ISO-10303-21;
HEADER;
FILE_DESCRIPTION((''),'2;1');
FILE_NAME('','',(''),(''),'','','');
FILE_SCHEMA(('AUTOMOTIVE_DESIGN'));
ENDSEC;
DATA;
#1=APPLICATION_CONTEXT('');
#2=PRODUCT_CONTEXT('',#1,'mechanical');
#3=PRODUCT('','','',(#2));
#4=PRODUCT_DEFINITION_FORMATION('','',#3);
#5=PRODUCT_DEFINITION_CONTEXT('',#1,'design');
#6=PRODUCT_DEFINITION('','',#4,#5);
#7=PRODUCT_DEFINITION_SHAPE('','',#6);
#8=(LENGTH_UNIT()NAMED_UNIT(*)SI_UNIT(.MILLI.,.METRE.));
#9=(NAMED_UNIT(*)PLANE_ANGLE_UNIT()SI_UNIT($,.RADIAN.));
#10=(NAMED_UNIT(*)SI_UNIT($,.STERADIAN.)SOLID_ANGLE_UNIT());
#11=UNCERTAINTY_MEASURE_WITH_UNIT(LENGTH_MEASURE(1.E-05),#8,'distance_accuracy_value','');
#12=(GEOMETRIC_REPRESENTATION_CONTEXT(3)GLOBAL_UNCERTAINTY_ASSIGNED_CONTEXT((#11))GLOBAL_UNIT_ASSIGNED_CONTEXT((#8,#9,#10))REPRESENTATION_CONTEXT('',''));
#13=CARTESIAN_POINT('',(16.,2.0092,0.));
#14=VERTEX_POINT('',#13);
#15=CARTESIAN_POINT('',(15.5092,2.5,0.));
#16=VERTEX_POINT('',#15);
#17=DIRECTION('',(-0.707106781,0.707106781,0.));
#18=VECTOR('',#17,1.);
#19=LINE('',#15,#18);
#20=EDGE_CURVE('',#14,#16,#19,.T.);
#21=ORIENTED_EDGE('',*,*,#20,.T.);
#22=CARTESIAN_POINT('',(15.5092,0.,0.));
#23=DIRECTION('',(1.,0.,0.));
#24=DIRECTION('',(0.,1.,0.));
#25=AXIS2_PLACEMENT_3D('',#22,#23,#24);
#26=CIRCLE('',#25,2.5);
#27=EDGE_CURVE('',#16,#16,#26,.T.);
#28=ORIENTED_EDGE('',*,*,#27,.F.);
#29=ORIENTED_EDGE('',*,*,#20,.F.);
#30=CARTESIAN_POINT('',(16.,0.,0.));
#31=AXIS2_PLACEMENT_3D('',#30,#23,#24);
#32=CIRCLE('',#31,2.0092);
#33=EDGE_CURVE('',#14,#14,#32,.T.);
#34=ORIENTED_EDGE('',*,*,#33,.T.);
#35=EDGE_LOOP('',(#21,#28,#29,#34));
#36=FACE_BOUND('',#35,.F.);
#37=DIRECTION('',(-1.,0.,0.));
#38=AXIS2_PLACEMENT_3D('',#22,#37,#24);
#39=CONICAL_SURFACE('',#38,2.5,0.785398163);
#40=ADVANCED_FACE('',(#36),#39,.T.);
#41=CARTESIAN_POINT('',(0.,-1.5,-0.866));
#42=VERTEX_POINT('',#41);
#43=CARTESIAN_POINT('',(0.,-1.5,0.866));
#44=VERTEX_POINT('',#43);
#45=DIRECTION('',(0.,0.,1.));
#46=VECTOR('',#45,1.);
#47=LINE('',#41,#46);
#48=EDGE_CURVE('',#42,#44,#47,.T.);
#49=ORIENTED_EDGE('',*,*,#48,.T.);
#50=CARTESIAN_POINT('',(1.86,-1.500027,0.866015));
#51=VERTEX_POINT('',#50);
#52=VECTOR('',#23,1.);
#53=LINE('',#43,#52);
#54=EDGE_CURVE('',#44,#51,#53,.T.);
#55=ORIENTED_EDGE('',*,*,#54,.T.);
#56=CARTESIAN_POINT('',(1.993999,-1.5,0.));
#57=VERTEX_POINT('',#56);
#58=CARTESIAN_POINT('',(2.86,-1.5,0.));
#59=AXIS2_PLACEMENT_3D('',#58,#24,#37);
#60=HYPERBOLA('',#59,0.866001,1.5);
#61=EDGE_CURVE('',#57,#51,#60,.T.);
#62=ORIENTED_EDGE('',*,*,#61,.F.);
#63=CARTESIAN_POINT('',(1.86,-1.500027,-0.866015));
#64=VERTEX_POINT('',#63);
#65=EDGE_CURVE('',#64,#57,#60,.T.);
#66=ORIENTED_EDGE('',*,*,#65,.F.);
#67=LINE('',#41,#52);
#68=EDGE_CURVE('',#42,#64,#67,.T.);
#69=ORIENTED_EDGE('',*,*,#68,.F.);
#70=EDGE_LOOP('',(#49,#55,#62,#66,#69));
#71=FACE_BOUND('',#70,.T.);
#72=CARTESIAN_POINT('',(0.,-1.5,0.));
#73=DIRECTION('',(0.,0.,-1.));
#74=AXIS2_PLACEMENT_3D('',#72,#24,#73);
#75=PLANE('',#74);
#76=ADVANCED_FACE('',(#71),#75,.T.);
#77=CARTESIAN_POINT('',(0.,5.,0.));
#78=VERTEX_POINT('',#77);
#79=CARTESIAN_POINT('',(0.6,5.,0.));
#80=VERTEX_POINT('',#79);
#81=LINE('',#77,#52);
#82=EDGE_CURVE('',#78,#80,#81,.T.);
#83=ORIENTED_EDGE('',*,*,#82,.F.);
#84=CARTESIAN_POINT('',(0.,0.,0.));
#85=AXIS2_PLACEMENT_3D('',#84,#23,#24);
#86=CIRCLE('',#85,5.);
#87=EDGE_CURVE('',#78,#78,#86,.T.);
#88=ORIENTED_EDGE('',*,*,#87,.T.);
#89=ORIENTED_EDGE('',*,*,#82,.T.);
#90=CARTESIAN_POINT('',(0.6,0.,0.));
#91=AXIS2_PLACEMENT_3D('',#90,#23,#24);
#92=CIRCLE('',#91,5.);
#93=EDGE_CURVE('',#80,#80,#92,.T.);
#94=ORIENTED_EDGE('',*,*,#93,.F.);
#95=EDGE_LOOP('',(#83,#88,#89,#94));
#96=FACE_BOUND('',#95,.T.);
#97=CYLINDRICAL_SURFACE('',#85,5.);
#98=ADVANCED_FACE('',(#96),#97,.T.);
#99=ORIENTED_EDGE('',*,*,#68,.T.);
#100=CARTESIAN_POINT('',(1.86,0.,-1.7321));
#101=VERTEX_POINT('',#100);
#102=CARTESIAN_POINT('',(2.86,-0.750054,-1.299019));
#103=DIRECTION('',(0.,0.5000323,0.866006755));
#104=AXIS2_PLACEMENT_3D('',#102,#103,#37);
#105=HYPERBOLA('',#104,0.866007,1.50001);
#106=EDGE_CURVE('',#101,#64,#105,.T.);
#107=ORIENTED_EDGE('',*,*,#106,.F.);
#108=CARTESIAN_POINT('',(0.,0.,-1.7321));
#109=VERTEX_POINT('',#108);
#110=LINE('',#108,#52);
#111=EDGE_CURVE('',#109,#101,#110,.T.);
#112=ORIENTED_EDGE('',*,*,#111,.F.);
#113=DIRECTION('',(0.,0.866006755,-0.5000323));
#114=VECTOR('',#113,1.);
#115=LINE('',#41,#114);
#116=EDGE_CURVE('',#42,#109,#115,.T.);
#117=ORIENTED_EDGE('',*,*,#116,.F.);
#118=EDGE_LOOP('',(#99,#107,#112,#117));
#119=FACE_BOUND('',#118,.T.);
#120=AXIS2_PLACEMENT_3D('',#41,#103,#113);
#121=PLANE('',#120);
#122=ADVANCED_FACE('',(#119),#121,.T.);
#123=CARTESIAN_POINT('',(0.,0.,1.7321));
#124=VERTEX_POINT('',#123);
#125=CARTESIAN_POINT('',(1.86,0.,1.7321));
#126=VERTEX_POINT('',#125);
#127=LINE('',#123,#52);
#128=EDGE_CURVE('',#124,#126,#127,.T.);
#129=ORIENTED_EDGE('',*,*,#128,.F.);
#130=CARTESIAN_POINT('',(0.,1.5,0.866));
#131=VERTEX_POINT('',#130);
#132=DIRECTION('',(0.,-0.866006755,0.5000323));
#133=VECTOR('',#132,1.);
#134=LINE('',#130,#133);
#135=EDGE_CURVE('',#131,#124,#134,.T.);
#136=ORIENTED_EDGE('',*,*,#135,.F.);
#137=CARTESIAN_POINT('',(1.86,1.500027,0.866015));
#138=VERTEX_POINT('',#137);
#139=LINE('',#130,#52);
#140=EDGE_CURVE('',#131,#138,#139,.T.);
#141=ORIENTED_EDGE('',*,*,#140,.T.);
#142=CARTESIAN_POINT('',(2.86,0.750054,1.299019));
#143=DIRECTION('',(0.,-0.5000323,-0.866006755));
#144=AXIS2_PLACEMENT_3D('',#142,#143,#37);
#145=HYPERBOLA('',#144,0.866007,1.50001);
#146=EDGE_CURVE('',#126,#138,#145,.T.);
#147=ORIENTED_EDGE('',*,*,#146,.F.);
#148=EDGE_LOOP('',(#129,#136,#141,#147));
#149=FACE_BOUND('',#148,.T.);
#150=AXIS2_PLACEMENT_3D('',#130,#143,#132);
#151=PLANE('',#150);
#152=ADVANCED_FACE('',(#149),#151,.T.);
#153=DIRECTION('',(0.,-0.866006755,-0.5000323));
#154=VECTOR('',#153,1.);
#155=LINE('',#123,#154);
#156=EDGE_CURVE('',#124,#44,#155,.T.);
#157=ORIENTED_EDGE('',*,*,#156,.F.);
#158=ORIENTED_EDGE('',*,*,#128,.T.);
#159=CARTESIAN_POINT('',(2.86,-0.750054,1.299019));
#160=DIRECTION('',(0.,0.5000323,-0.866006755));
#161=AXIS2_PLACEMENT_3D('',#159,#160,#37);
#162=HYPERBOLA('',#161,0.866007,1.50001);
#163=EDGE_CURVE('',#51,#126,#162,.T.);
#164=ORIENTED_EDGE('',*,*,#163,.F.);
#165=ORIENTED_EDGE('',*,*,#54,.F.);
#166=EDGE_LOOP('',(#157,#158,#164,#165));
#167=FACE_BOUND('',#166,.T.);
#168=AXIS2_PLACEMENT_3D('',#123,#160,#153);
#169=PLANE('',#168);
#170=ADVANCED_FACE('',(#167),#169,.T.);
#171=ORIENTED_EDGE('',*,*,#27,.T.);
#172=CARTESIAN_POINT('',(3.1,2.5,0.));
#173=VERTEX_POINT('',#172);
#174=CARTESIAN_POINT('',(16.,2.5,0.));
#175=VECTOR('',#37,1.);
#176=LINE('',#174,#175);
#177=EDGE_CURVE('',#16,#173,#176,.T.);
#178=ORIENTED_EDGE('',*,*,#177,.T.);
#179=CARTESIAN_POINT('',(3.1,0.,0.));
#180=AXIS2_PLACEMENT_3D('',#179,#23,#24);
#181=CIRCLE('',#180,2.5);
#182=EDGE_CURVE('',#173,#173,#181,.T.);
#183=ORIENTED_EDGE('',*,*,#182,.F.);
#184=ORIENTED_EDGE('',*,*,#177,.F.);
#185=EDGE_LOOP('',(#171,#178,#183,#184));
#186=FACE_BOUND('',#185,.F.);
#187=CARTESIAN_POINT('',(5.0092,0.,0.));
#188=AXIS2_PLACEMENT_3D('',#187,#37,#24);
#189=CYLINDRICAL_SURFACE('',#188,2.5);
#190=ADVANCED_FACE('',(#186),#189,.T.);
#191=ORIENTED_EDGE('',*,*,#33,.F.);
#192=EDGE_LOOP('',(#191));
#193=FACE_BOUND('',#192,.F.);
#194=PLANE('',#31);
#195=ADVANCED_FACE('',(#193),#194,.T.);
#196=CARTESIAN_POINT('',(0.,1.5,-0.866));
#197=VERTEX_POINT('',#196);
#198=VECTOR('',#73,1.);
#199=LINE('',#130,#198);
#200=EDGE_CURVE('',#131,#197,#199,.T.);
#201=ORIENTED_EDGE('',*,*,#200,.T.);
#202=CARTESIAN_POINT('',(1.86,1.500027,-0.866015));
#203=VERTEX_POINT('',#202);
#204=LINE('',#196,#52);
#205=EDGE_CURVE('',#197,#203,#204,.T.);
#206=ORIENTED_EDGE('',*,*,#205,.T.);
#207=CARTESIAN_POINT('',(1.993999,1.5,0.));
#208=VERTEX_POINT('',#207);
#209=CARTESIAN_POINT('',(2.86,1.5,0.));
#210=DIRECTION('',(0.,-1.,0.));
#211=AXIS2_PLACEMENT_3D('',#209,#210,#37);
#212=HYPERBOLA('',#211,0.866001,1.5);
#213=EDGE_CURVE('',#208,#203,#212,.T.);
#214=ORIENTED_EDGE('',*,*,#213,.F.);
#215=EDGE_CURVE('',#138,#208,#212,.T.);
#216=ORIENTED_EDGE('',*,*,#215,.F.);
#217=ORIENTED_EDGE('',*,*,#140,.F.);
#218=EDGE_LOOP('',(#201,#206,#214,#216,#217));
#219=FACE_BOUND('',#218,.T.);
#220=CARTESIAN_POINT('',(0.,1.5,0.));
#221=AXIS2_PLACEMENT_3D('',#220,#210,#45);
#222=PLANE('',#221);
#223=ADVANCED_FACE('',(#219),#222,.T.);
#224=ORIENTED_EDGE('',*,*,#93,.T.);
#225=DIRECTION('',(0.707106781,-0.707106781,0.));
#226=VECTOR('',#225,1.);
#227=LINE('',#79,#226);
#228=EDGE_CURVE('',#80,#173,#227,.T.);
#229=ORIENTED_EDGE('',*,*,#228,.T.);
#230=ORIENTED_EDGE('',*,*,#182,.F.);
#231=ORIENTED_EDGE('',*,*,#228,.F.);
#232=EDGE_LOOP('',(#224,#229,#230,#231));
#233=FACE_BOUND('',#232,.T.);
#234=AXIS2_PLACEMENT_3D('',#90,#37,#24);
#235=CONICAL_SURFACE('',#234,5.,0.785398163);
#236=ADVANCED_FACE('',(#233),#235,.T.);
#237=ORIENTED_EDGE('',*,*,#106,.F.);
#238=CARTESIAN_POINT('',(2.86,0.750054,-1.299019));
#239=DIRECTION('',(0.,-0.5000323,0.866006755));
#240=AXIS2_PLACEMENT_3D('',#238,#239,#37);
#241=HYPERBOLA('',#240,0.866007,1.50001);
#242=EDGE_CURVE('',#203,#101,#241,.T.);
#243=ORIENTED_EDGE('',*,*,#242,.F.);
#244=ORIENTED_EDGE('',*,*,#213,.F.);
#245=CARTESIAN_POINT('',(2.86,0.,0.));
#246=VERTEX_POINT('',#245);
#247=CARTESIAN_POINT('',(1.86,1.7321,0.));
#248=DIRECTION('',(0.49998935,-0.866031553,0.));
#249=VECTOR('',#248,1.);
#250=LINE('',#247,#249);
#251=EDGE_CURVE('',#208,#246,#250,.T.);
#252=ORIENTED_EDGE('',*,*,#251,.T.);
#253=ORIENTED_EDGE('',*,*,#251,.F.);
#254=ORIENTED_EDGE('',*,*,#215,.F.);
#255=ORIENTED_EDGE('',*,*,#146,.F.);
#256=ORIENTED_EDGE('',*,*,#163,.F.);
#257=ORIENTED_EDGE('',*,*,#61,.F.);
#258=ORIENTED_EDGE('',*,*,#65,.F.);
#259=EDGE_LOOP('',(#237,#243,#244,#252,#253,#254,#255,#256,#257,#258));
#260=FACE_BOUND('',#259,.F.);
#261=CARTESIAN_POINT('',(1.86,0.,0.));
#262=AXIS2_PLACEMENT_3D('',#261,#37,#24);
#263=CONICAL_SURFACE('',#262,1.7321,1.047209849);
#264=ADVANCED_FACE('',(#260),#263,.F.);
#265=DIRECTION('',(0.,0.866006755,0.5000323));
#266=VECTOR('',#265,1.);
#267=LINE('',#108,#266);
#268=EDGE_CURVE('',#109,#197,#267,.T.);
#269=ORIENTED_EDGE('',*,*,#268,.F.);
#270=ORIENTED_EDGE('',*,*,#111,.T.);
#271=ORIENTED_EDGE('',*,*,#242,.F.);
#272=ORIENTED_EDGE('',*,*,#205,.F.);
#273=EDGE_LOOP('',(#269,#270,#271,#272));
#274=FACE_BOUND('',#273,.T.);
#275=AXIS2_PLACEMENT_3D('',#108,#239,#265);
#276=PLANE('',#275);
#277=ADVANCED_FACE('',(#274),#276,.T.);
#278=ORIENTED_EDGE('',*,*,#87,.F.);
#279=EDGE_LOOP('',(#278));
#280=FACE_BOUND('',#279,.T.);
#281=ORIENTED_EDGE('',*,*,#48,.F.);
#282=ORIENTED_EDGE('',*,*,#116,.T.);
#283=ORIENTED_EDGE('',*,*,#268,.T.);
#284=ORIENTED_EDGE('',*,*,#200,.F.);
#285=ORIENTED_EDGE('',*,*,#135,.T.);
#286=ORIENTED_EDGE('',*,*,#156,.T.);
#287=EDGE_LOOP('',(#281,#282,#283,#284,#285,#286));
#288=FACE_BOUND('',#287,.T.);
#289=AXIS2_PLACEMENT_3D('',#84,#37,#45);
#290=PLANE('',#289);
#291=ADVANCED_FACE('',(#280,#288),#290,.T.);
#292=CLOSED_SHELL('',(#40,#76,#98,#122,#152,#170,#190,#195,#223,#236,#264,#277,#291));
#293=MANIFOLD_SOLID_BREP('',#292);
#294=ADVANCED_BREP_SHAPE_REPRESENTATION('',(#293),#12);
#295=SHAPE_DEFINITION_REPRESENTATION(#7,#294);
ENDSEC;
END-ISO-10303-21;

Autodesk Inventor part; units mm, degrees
ref_plane "YZ Plane" through (0, 0, 0) normal (1, 0, 0) x (0, 1, 0)
ref_plane "XZ Plane" through (0, 0, 0) normal (0, 1, 0) x (-1, 0, 0)
sketch "草圖1" plane through (0, 0, 0) normal (0, 0, 1) x (1, 0, 0)
  line L0 (16, 0) -> (16, 2.5)
  line L1 (16, 2.5) -> (5.5, 2.5)
  line L2 (5.5, 2.5) -> (5.0092, 2.5)
  line L3 (0, 5) -> (0, 1.7321)
  line L4 (0, 1.7321) -> (1.86, 1.7321)
  line L5 (1.86, 1.7321) -> (2.86, 0)
  line L6 (2.86, 0) -> (16, 0)
  line L7 (0, 5) -> (0.6, 5)
  line L8 (0.6, 5) -> (3.1, 2.5)
  line L9 (5.0092, 2.5) -> (3.1, 2.5)
  line L10 (5.5, 2.5) -> (3.1, 2.5) construction
  line L11 (3.1, 2.5) -> (3.1, 2.5)
  line L12 (-3.2, 0) -> (19.2, 0) projected
  line L13 (0, -1) -> (0, 6) projected
  dimension "d0" = 16
  dimension "d1" = 10.5
  dimension "d2" = 1.86
  dimension "d3" = 5
  dimension "d6" = 3.1
  dimension "d7" = 45
  dimension "d8" = 3.4641
  dimension "d9" = 60
  dimension "d10" = 10
  dimension "d11" = 5
  dimension "d12" = 0.4908
revolve "本體" add sketch "草圖1" angle 360 about axis through (2.86, 0, 0) along (1, 0, 0) contours L6 L5 L4 L3 L7 L8 L9 L2 L1 L0
sketch "草圖2" plane through (0, 0, 0) normal (-1, 0, 0) x (0, 0, 1)
  circle A0 centre (0, 0) radius 1.7321 projected
  line L0 (0, -7) -> (0, 7) projected
  line L1 (-7, 0) -> (7, 0) projected
  line L2 (1.7321, 0) -> (0.866, -1.5)
  line L3 (0.866, -1.5) -> (-0.866, -1.5)
  line L4 (-0.866, -1.5) -> (-1.7321, 0)
  line L5 (-1.7321, 0) -> (-0.866, 1.5)
  line L6 (-0.866, 1.5) -> (0.866, 1.5)
  line L7 (0.866, 1.5) -> (1.7321, 0)
  point P0 (0, 1.7321)
extrude "塞槽" add sketch "草圖2" against normal up to next contours L7 A0 | A0 L2 | L6 L0 A0 | A0 L0 L3 | L0 L6 A0 | A0 L3 L0 | L4 A0 | A0 L5
thread "螺紋" size "M5x0.8" class "6g" standard "ISO Metric profile" length 10.5
chamfer "倒角1" distance 0.4908 distance2 0.4908 1 edges at (16, -2.5, 0) measured on face at (16, -0.8333, -1.1052)
ref_plane "Work Plane1" through (104.775, 0, 0) normal (0, 0, -1) x (1, 0, 0)
equation "\"d15\" = GEL"
equation "\"d17\" = -0.5 * SPD + 0.5 * GD"
equation "\"d18\" = GUL"
equation "\"d0\" = NLG"
equation "\"d1\" = GEL"
equation "\"d2\" = INTI"
equation "\"d3\" = GD"
equation "\"d6\" = KOH"
equation "\"d7\" = 0.5 * SEWI"
equation "\"d8\" = 1.1547 * SW"
equation "\"d10\" = KOD"
equation "\"d11\" = BDM"
equation "\"d12\" = GAL"
equation "\"NLG\" = 16"
equation "\"INTI\" = 1.86"
equation "\"GEL\" = 10.5"
equation "\"GAL\" = 0.61345 * PTC"
equation "\"KOH\" = 3.1"
equation "\"KOD\" = 10"
equation "\"GUL\" = 0.61345 * PTC"
equation "\"SPD\" = NND - 1.2269 * PTC"
equation "\"BDM\" = NND"
equation "\"GD\" = NND"
equation "\"SEWI\" = 90deg"
equation "\"SW\" = 3"
equation "\"TOA\" = 30deg"
equation "\"GD1\" = THREADDIA - 1.2269 * PTC"
equation "\"EPV\" = 5.6"
equation "\"THREADDIA\" = 5"
equation "\"PTC\" = 0.8"
equation "\"NND\" = 5"
equation "\"E0\" = 1.155 * SW"
properties part number "BS 4168 - M5 x 16" material "鋼、軟鋼"
